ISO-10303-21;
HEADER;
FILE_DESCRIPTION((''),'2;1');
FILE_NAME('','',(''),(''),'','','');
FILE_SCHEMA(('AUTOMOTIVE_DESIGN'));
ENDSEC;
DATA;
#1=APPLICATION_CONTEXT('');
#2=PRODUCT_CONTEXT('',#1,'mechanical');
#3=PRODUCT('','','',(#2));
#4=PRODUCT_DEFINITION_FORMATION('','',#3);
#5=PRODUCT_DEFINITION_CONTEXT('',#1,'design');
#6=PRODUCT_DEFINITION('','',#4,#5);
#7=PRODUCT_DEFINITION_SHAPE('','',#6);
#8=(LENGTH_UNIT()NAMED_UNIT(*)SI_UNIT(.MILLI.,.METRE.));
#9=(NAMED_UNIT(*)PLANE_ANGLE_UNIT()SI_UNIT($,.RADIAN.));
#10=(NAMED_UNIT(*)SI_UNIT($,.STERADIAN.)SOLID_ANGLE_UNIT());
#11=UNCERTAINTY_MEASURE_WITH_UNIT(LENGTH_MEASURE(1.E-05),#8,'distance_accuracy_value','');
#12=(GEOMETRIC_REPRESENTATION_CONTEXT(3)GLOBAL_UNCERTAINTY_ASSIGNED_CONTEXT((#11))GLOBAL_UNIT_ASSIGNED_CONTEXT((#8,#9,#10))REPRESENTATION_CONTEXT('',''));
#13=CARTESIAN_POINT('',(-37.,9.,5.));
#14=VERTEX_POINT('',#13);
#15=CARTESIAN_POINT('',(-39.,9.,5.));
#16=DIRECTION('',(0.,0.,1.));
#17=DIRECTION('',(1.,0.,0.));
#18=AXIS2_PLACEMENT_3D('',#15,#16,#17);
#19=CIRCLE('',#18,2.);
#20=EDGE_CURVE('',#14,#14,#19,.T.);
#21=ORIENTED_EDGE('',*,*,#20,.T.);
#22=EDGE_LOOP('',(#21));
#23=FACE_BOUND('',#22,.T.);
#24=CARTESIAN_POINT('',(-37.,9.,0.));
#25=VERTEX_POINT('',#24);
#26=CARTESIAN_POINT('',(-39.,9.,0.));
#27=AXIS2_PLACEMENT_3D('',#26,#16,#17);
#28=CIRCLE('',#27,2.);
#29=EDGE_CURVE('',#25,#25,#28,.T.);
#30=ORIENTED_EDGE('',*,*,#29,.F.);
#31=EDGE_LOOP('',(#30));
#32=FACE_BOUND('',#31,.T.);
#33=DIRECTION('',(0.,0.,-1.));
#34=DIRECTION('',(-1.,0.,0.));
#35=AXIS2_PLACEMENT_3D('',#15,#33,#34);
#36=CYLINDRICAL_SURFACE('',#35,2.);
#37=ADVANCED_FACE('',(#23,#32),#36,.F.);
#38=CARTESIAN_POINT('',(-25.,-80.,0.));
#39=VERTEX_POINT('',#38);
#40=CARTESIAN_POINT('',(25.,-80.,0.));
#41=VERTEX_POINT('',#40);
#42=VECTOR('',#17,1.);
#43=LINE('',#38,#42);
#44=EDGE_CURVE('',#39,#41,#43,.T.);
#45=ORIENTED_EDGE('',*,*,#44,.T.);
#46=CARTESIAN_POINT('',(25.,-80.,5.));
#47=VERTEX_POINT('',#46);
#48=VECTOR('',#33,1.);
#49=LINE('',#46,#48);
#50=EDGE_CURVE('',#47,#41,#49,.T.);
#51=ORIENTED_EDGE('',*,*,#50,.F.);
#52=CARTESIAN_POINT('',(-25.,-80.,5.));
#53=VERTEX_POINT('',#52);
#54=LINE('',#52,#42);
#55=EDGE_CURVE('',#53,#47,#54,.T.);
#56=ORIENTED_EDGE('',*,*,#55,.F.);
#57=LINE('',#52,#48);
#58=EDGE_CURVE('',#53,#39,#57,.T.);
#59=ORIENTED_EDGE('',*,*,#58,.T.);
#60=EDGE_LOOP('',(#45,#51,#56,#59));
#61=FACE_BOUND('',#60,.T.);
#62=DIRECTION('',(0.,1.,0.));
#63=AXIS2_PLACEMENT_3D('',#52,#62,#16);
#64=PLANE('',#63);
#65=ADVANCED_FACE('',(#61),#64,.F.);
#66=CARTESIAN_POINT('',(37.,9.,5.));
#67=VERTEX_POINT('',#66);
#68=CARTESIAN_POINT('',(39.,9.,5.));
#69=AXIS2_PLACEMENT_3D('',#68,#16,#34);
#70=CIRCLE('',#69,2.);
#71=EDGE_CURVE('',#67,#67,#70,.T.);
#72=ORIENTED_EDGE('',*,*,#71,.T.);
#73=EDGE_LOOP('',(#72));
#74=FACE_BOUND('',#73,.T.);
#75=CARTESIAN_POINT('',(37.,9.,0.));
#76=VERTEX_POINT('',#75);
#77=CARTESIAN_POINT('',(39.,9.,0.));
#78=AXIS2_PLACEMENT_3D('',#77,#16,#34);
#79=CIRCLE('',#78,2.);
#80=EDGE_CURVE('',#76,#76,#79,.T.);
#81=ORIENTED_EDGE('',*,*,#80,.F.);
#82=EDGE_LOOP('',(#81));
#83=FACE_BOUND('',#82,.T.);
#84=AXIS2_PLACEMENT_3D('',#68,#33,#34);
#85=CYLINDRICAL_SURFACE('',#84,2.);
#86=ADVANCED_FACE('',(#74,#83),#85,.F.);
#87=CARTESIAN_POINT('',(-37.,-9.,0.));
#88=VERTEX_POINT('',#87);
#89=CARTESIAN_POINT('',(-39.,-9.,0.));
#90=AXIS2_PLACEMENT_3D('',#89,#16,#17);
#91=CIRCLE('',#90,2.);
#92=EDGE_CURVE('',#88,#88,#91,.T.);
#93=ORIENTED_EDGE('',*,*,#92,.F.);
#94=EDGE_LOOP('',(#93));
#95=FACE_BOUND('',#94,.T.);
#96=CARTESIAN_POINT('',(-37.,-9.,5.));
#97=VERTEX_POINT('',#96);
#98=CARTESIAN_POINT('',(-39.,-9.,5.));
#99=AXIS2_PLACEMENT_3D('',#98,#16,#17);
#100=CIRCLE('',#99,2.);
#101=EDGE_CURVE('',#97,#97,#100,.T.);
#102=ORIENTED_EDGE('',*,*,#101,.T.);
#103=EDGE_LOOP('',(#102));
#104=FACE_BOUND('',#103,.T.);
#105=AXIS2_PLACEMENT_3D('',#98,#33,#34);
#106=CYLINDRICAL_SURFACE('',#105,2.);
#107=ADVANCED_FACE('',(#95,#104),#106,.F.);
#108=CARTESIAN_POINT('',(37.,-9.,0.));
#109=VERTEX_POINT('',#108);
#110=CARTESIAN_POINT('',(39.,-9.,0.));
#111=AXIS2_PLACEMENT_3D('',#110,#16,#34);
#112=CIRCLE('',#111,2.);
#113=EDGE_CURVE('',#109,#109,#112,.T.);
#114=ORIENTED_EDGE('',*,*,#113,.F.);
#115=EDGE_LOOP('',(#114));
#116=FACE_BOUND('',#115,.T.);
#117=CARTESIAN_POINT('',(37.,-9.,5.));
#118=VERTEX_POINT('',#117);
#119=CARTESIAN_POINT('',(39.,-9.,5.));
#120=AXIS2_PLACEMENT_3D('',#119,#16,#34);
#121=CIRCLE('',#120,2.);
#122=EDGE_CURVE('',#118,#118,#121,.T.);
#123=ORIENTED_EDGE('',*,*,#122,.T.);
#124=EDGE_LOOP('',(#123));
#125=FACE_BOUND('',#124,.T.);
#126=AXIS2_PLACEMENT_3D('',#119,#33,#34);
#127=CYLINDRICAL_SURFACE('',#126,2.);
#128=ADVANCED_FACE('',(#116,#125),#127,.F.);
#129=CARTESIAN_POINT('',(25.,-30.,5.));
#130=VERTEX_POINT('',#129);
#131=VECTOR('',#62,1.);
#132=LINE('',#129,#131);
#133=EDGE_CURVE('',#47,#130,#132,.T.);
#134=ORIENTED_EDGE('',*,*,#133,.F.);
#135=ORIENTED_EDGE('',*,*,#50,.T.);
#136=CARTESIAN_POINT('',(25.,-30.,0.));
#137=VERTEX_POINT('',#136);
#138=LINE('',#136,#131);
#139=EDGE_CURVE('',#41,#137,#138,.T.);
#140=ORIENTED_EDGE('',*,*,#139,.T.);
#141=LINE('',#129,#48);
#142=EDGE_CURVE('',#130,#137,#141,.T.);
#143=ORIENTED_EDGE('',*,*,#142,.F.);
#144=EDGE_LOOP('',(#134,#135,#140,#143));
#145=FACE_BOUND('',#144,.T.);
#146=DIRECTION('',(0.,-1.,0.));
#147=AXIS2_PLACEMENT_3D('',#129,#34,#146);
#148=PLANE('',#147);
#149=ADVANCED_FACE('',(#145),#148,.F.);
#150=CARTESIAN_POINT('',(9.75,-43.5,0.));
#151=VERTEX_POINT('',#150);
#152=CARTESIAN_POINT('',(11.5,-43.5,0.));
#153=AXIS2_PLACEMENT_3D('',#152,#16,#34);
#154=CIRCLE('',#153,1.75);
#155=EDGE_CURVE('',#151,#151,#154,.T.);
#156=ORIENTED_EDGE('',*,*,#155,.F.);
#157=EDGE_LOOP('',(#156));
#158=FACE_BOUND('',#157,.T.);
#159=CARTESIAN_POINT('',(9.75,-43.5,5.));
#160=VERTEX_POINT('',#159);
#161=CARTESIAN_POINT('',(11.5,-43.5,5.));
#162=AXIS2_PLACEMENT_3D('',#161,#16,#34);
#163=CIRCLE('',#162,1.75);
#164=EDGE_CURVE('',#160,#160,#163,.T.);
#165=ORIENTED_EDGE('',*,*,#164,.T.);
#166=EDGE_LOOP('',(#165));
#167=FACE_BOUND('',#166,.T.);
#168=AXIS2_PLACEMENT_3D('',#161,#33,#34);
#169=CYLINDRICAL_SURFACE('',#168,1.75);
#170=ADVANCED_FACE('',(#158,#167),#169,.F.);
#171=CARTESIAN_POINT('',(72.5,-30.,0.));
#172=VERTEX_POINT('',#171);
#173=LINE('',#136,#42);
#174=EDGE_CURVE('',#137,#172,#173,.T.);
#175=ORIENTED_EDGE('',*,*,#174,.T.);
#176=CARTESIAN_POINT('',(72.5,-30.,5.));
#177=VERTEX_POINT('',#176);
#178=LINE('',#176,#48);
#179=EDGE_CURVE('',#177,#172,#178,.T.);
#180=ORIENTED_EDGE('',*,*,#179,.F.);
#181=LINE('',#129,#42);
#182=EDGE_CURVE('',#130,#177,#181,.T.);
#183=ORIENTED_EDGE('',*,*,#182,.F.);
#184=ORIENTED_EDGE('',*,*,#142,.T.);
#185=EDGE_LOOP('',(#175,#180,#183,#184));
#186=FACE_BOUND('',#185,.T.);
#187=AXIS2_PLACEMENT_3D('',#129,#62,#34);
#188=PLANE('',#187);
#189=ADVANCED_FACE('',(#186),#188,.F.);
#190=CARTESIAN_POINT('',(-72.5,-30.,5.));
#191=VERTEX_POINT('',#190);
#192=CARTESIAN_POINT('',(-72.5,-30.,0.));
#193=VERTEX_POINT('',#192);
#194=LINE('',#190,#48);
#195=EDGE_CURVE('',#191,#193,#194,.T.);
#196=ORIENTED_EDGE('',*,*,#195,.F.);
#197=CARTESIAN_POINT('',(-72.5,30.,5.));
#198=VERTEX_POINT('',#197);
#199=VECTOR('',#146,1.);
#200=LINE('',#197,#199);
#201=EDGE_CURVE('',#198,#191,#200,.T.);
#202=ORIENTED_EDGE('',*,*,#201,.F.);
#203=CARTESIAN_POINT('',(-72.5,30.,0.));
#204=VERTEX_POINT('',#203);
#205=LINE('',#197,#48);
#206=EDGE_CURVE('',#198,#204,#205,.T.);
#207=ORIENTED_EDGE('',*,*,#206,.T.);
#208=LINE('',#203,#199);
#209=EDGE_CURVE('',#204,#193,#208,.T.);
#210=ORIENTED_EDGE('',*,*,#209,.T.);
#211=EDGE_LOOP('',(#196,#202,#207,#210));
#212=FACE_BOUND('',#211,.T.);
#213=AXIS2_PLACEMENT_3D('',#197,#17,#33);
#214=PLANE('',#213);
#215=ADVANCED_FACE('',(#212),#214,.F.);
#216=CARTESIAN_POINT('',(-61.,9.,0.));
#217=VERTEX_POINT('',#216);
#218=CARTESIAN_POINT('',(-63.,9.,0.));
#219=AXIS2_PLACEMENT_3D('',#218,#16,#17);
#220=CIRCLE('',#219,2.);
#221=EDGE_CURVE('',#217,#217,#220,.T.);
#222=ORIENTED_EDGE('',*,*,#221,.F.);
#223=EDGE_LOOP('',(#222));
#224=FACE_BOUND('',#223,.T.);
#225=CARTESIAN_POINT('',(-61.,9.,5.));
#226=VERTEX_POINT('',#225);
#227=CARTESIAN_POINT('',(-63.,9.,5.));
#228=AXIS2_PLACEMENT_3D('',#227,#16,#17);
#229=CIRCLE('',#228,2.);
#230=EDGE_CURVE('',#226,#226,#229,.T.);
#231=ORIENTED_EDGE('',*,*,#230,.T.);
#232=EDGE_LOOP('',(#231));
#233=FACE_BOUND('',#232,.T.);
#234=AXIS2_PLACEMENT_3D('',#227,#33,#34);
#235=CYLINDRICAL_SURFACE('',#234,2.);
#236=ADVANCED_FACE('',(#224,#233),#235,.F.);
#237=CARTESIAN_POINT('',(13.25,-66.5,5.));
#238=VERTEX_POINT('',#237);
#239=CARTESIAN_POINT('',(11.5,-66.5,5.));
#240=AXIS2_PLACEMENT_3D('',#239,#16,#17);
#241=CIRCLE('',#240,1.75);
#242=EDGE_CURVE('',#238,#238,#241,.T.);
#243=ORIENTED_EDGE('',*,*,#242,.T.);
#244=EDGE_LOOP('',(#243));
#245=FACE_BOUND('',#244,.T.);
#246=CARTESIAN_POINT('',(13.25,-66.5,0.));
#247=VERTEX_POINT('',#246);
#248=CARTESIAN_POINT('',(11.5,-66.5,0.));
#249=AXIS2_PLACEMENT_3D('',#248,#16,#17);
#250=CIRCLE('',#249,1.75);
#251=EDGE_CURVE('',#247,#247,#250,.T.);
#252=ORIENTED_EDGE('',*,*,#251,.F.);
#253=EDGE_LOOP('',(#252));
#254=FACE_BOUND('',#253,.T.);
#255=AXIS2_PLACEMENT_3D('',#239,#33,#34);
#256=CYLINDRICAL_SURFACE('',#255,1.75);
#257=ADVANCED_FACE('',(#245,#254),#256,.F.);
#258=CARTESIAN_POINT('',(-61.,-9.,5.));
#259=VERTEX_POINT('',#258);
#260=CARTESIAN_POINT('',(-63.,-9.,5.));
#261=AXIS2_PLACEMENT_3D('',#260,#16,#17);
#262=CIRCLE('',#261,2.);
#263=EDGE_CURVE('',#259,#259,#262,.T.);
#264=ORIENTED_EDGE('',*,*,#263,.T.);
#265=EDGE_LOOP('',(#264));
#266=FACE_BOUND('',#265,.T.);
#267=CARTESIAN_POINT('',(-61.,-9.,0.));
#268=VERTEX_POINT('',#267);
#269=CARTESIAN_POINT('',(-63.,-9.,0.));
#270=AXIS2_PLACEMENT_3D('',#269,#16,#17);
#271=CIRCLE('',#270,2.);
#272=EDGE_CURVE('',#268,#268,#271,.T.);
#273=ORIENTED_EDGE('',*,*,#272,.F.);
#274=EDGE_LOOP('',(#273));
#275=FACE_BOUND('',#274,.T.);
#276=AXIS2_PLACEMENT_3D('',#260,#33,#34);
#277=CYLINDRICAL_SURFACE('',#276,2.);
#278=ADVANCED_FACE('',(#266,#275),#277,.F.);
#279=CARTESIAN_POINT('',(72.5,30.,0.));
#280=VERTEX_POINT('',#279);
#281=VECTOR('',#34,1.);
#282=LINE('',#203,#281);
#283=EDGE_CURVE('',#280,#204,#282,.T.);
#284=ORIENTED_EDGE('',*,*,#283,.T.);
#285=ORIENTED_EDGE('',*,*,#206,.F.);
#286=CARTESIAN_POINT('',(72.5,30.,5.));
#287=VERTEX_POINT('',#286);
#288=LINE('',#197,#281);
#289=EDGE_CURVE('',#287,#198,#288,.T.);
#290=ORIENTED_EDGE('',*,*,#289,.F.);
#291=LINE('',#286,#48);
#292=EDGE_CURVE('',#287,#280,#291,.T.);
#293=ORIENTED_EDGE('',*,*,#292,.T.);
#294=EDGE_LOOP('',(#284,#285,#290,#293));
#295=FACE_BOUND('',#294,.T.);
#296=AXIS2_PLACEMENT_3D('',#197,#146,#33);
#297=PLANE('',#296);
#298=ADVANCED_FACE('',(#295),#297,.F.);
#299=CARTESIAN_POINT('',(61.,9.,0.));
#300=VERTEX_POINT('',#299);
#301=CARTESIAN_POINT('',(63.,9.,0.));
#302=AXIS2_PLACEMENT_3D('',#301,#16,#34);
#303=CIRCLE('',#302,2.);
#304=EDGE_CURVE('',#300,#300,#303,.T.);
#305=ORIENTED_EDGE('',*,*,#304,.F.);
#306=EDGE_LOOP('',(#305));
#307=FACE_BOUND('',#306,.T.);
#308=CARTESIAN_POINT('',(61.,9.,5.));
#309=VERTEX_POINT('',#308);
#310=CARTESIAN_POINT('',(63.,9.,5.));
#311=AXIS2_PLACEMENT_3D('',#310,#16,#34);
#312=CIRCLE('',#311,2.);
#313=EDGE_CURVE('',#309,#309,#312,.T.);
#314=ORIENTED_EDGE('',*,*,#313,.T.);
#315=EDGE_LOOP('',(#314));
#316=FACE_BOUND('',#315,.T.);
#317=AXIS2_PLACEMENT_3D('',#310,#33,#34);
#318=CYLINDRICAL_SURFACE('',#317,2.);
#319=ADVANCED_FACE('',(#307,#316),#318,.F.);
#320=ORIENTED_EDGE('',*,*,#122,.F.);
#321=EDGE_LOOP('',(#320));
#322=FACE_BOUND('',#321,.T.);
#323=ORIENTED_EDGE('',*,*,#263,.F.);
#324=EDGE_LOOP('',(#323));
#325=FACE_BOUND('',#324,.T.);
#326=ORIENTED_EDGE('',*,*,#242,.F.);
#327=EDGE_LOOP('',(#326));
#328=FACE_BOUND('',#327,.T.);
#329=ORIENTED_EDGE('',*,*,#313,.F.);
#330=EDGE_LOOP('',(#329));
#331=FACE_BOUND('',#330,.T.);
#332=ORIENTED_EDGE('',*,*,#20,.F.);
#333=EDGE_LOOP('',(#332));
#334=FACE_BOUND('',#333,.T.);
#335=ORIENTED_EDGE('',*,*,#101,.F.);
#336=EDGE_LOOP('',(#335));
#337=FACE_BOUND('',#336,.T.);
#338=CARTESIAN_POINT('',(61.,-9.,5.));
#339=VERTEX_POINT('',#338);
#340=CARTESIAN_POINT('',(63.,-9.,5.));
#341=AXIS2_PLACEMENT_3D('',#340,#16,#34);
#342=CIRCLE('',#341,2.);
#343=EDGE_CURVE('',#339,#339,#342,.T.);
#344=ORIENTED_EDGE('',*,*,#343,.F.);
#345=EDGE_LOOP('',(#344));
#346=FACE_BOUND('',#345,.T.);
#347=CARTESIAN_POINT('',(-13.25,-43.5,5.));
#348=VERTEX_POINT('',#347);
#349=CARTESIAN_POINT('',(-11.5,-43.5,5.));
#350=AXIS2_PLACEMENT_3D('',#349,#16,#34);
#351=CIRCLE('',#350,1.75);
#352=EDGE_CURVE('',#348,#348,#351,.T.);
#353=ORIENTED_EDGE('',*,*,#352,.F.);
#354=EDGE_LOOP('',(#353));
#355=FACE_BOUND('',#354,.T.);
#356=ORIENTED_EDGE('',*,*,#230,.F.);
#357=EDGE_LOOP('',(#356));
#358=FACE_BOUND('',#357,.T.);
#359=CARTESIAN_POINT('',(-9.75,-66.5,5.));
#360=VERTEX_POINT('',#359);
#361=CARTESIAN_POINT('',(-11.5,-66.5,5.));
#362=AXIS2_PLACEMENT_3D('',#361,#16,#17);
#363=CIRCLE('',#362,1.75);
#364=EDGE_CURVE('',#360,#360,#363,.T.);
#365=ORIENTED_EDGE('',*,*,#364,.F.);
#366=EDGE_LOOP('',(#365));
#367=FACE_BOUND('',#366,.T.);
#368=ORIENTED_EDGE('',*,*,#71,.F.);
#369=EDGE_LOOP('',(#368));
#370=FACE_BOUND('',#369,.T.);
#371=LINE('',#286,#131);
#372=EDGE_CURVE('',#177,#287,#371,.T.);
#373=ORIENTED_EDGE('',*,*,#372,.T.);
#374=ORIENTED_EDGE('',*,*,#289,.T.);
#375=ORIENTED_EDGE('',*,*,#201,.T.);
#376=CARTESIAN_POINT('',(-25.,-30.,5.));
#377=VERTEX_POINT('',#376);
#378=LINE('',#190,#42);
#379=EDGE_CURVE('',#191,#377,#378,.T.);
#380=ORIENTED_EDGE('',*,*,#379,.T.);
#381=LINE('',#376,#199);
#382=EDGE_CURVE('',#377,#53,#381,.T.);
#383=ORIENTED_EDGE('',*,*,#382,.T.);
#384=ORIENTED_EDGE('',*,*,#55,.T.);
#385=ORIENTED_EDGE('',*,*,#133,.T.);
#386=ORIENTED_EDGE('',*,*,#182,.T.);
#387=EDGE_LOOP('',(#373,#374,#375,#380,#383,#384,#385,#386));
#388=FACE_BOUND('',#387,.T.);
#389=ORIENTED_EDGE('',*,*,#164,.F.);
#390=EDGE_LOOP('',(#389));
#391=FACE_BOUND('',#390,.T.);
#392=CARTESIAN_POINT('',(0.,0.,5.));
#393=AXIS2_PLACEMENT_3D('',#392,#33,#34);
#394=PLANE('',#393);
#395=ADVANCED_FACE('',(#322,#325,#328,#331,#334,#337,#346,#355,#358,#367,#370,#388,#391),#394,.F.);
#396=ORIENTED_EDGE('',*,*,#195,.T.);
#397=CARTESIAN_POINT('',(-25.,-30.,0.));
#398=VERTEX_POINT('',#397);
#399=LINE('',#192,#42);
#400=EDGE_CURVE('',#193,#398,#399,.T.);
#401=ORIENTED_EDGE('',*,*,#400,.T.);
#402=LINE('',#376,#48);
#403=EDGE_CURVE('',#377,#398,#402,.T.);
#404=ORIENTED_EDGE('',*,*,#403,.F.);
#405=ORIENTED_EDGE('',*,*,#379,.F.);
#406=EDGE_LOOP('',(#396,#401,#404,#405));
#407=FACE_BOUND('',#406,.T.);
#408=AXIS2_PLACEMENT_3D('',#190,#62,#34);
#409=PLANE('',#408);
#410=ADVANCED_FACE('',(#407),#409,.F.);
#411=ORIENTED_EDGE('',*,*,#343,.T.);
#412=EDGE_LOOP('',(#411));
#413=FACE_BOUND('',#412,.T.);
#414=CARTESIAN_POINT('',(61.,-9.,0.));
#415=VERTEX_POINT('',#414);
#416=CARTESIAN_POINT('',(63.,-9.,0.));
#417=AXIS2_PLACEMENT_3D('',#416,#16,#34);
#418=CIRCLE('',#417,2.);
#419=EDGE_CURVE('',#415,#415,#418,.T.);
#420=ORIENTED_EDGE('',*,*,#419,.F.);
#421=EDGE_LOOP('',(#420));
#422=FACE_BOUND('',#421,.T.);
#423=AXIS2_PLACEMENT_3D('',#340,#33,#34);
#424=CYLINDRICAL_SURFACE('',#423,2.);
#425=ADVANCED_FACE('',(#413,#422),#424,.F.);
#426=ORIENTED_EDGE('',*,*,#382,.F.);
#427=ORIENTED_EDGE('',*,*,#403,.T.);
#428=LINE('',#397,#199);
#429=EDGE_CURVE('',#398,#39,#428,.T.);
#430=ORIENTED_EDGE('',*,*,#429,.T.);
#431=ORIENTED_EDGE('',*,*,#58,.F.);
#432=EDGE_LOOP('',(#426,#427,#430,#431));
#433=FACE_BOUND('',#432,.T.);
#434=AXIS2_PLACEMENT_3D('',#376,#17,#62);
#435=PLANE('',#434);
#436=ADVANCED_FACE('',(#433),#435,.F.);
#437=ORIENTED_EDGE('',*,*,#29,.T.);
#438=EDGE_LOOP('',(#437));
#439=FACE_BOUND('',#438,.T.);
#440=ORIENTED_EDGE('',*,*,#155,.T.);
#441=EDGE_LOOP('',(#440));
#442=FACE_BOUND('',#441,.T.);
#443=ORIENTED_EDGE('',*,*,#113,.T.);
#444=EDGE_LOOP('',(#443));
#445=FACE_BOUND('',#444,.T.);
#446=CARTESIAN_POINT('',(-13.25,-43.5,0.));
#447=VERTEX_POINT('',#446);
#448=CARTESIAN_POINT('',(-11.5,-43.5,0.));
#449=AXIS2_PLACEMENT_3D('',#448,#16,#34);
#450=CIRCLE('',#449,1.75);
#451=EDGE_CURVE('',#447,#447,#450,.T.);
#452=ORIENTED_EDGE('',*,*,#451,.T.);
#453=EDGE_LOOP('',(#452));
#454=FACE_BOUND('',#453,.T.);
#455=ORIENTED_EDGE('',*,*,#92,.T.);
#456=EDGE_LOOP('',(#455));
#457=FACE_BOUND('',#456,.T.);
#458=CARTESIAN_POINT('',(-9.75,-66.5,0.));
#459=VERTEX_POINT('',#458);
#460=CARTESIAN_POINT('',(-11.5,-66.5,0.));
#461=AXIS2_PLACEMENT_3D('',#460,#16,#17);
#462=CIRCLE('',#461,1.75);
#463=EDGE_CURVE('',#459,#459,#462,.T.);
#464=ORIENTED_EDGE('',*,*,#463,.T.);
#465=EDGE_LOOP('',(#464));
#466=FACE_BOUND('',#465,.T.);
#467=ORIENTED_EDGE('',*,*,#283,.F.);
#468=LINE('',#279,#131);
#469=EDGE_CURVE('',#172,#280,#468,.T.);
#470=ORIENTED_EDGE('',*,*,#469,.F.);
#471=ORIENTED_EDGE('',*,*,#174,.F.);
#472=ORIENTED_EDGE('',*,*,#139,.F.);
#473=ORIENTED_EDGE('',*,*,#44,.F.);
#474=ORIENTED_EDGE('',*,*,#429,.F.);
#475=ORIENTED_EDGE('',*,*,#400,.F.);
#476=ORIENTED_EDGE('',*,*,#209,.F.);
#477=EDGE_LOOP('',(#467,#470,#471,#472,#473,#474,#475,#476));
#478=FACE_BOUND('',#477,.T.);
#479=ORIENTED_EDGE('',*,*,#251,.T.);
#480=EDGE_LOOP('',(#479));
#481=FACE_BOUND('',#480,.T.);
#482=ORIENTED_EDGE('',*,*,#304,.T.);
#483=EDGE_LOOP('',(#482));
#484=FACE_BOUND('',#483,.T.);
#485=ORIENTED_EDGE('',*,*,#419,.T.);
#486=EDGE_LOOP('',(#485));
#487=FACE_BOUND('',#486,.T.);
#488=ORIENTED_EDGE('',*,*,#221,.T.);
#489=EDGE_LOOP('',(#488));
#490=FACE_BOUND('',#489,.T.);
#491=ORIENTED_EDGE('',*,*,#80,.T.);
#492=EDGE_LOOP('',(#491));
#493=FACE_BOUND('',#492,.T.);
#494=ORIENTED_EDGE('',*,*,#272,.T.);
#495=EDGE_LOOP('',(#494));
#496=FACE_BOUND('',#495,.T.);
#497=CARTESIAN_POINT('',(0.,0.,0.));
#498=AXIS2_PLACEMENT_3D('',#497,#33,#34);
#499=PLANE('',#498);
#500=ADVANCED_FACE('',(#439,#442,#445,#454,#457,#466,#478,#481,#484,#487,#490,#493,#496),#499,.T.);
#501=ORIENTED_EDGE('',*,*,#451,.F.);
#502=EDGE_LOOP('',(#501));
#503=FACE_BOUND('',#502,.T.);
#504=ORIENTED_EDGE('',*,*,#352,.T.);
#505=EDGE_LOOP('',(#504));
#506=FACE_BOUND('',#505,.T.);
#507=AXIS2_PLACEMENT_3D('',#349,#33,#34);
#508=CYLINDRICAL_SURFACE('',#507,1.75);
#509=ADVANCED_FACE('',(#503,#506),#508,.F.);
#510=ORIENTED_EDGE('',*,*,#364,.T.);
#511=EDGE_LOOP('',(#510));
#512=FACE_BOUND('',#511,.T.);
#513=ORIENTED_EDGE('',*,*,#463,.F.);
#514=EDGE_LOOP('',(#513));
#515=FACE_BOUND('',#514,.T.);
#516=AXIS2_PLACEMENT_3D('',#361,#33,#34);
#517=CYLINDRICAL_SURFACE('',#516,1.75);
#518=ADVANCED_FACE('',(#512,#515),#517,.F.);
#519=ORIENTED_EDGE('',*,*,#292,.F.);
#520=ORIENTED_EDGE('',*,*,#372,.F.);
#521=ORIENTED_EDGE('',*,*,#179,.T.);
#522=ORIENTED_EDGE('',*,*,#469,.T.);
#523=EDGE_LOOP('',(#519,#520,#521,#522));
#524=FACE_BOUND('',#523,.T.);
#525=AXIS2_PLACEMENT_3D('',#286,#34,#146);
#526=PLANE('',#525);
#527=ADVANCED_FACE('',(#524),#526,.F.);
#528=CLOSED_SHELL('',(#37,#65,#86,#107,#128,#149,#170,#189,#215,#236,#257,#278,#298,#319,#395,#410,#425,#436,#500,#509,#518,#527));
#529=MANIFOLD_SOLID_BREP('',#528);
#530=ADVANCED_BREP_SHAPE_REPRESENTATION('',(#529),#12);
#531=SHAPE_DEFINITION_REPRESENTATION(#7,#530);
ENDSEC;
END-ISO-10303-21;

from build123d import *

# Parameters (mm, degrees)
SKETCH1_R           = 1.75
SKETCH1_R_2         = 2
BOSS_EXTRUDE1_DEPTH = 5


with BuildPart() as part:
    # Sketch1 → Boss-Extrude1 (new body)
    with BuildSketch(Plane.XY):
        Polygon((-72.5, 30), (72.5, 30), (72.5, -30), (25, -30), (25, -80), (-25, -80), (-25, -30), (-72.5, -30), align=None)
        with Locations((-11.5, -66.5)):
            Circle(SKETCH1_R, mode=Mode.SUBTRACT)
        with Locations((11.5, -66.5)):
            Circle(SKETCH1_R, mode=Mode.SUBTRACT)
        with Locations((11.5, -43.5)):
            Circle(SKETCH1_R, mode=Mode.SUBTRACT)
        with Locations((-11.5, -43.5)):
            Circle(SKETCH1_R, mode=Mode.SUBTRACT)
        with Locations((-63, 9)):
            Circle(SKETCH1_R_2, mode=Mode.SUBTRACT)
        with Locations((-39, 9)):
            Circle(SKETCH1_R_2, mode=Mode.SUBTRACT)
        with Locations((-39, -9)):
            Circle(SKETCH1_R_2, mode=Mode.SUBTRACT)
        with Locations((-63, -9)):
            Circle(SKETCH1_R_2, mode=Mode.SUBTRACT)
        with Locations((63, -9)):
            Circle(SKETCH1_R_2, mode=Mode.SUBTRACT)
        with Locations((39, -9)):
            Circle(SKETCH1_R_2, mode=Mode.SUBTRACT)
        with Locations((39, 9)):
            Circle(SKETCH1_R_2, mode=Mode.SUBTRACT)
        with Locations((63, 9)):
            Circle(SKETCH1_R_2, mode=Mode.SUBTRACT)
    extrude(amount=BOSS_EXTRUDE1_DEPTH)


solid = part.part
